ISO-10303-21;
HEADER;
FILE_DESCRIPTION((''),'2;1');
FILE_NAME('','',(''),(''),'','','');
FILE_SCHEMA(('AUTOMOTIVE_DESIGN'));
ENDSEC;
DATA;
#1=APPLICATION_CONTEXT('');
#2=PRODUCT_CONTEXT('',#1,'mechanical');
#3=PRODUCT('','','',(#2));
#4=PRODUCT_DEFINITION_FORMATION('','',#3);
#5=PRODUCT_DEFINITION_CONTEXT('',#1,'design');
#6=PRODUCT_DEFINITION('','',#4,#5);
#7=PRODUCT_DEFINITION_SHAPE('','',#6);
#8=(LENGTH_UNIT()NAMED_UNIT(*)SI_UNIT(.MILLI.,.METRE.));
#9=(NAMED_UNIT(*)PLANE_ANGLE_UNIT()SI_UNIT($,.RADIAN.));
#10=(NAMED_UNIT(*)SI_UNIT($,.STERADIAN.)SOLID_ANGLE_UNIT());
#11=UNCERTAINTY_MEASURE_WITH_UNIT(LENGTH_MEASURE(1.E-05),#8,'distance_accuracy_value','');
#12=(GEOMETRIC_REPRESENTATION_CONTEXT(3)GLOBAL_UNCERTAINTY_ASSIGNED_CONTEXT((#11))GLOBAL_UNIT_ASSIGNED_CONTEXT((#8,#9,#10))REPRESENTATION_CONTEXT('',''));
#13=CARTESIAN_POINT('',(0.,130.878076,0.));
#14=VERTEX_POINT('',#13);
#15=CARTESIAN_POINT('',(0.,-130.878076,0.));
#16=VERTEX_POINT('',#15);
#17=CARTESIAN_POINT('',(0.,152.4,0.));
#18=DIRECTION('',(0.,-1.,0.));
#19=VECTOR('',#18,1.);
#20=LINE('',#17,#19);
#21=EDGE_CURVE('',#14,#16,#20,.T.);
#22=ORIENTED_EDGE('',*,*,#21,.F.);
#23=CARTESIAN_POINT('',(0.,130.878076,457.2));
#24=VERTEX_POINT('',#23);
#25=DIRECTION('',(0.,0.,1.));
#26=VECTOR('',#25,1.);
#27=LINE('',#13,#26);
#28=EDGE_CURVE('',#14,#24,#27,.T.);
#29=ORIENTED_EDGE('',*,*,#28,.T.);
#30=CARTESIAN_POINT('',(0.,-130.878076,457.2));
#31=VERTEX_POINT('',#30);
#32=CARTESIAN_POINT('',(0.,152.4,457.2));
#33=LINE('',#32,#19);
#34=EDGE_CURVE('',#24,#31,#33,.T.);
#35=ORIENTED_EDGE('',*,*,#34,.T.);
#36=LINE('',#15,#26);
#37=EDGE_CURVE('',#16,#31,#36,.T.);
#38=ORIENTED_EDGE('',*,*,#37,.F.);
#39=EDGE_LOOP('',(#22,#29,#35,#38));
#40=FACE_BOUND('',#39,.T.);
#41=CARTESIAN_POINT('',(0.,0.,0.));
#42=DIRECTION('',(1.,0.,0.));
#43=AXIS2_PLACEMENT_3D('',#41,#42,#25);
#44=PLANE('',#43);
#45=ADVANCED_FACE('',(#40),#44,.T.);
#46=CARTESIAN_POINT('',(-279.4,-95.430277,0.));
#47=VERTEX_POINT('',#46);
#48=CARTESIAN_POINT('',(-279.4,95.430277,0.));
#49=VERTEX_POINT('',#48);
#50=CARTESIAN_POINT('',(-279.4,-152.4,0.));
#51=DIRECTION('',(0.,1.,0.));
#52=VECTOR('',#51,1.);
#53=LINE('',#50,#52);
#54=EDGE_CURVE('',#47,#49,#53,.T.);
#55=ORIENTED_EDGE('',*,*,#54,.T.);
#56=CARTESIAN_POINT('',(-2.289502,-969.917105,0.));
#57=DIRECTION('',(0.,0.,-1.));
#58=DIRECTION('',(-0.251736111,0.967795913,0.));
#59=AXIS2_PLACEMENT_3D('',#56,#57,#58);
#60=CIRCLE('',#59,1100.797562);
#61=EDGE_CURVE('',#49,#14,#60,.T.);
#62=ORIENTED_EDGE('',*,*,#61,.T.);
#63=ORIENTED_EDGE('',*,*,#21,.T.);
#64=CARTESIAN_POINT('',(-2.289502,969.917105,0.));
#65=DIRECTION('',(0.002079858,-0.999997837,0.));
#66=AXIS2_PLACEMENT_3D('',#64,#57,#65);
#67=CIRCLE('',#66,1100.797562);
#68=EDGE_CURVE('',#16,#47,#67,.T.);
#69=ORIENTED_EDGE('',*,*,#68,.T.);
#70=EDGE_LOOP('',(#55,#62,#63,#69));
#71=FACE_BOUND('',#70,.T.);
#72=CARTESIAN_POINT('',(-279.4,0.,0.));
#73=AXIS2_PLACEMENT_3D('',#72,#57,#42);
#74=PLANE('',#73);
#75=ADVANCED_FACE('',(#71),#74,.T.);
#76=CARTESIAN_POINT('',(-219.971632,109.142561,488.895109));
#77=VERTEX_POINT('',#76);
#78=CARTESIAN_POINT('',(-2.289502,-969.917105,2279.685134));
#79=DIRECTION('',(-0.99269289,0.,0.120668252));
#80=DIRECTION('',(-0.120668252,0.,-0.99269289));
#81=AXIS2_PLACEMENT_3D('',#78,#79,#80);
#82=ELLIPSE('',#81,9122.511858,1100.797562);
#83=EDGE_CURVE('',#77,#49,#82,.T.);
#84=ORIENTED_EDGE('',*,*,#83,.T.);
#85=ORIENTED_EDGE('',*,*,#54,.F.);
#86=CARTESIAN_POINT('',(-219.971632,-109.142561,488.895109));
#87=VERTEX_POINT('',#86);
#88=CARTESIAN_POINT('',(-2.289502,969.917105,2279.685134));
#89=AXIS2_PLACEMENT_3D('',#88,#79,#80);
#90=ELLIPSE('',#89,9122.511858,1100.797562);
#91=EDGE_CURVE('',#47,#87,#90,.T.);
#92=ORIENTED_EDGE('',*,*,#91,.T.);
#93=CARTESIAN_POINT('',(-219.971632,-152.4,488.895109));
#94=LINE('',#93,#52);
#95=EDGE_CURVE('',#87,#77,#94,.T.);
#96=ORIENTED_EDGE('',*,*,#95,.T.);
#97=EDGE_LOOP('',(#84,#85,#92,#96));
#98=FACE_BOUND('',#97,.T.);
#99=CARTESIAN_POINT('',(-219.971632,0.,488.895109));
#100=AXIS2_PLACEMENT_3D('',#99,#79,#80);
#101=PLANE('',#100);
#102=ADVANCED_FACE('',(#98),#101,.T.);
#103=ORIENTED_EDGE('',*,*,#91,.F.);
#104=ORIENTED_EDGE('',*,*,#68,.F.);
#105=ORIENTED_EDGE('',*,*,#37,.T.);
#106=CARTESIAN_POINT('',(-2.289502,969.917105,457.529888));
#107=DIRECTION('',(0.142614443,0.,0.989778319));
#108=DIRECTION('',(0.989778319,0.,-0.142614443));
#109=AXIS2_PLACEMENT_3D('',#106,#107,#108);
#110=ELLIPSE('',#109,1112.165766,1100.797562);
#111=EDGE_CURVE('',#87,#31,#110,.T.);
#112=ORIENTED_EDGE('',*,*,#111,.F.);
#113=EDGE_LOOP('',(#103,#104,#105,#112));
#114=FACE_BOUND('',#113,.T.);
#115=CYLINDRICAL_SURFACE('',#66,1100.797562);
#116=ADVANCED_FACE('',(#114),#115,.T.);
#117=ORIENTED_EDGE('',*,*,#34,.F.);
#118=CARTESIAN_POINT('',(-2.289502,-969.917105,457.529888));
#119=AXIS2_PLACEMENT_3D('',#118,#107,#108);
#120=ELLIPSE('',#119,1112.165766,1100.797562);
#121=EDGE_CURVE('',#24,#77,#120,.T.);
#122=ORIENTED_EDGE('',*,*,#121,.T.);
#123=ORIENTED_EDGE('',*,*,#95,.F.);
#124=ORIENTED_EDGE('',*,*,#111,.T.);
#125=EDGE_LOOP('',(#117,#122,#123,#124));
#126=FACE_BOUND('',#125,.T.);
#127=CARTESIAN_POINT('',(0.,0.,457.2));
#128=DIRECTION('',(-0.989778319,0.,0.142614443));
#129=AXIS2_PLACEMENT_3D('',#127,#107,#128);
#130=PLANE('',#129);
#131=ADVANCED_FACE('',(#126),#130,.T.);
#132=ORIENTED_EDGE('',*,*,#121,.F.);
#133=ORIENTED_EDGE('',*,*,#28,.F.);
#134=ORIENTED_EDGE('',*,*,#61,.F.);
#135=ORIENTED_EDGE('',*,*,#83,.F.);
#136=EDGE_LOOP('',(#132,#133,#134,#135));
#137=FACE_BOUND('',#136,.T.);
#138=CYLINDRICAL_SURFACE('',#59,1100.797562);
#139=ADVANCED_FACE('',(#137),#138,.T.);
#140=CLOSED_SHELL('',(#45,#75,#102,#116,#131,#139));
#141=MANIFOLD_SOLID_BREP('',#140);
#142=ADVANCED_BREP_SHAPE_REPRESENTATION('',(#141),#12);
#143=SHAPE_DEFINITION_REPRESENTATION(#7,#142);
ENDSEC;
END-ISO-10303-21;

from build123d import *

# Parameters (mm, degrees)
F1_DEPTH = 152.4
F3_DEPTH = 488.896109


with BuildPart() as f1:
    # F0 (on Front) → F1 (new body, symmetric)
    with BuildSketch(Plane.XZ):
        Polygon((-279.4, 0), (0, 0), (0, 457.2), (-219.971632, 488.895109), align=None)
    extrude(amount=F1_DEPTH, both=True)

    # F2 (on Top) → F3 (cut, through all)
    with BuildSketch(Plane.XY):
        with BuildLine():
            ThreePointArc((0, -130.878076), (-140.838344, -122.126617), (-279.4, -95.430277))
            Line((-279.4, -95.430277), (-279.4, -152.4))
            Line((-279.4, -152.4), (0, -152.4))
            Line((0, -152.4), (0, -130.878076))
        make_face()
        with BuildLine():
            Line((-279.4, 152.4), (-279.4, 95.430277))
            ThreePointArc((-279.4, 95.430277), (-140.838344, 122.126617), (0, 130.878076))
            Line((0, 130.878076), (0, 152.4))
            Line((0, 152.4), (-279.4, 152.4))
        make_face()
    extrude(amount=F3_DEPTH, mode=Mode.SUBTRACT)


solid = f1.part
